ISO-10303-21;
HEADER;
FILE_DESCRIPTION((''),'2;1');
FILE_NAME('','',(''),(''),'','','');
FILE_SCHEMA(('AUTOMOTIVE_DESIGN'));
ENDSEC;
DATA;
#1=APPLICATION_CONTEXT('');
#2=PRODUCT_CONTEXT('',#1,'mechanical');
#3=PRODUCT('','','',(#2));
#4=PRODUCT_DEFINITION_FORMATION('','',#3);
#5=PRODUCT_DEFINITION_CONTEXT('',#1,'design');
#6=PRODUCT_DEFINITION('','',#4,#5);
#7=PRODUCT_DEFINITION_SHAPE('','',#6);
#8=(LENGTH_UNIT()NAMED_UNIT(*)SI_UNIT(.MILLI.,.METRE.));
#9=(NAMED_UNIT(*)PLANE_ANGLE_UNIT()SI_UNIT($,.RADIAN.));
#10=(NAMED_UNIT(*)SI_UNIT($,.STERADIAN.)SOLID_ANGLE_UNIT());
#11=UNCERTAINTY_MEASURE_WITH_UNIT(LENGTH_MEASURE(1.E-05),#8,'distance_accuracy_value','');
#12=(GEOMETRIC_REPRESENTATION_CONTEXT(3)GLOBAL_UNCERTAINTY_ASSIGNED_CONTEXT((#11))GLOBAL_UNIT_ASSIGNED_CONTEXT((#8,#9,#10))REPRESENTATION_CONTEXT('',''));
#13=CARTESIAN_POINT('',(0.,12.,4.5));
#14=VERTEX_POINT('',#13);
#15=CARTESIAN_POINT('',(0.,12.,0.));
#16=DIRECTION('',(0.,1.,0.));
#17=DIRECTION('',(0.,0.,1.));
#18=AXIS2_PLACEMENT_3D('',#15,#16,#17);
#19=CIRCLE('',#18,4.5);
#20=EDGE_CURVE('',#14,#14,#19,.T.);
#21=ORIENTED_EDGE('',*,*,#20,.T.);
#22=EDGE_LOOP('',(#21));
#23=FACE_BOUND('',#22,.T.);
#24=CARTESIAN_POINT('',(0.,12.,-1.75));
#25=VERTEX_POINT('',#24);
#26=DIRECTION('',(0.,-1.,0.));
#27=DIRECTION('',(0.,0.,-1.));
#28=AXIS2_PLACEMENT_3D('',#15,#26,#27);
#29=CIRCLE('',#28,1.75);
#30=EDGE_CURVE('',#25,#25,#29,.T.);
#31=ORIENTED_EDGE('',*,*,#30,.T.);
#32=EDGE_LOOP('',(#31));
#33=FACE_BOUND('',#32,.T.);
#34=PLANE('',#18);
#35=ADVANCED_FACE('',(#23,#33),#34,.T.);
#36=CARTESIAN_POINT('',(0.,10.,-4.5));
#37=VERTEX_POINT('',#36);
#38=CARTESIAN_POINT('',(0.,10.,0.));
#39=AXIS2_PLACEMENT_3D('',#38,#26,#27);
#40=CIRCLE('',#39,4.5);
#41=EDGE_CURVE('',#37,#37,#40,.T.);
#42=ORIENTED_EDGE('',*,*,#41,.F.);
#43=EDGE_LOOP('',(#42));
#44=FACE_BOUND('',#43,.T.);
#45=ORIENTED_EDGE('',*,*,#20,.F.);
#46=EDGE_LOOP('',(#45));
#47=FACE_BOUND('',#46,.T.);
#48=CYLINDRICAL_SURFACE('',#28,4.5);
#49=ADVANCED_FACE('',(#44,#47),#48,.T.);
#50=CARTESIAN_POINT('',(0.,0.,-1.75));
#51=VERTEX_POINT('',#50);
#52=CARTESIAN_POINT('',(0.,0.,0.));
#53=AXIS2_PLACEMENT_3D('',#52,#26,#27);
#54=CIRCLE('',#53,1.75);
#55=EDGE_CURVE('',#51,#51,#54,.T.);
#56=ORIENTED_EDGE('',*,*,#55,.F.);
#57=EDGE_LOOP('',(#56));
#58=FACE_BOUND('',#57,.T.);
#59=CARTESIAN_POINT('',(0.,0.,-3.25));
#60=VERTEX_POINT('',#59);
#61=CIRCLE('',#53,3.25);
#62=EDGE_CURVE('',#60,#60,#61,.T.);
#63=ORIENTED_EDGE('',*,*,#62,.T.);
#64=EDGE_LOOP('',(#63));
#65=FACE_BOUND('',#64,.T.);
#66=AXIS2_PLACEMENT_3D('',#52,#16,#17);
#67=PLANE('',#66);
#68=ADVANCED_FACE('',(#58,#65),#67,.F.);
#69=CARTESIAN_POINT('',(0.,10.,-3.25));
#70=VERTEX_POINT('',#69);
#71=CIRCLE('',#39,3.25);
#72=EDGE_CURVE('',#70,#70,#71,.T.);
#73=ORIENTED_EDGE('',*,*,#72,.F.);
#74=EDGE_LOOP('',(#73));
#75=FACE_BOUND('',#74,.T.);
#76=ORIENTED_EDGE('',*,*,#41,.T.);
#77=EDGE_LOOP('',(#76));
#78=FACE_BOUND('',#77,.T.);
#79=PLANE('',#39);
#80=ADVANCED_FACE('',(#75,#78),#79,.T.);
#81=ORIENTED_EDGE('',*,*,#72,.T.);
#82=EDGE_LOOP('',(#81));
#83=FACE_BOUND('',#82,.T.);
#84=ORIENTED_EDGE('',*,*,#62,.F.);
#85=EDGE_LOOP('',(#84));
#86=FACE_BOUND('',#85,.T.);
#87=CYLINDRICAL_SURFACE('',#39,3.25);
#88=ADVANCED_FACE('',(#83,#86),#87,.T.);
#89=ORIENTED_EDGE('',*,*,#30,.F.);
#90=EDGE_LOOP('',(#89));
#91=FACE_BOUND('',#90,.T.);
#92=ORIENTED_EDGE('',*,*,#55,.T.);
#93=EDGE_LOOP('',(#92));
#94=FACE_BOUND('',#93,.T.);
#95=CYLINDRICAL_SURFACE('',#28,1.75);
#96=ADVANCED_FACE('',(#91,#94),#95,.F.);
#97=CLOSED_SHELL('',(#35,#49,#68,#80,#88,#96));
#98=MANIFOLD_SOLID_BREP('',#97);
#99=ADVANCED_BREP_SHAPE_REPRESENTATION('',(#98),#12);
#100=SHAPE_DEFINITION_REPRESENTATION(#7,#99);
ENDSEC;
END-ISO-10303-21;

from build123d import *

# Parameters (mm, degrees)
SKETCH1_R           = 4.5
BOSS_EXTRUDE1_DEPTH = 12
SKETCH3_R           = 4.5
SKETCH3_R_2         = 3.25
CUT_EXTRUDE1_DEPTH  = 10
SKETCH4_R           = 1.75
CUT_EXTRUDE2_DEPTH  = 12


with BuildPart() as part:
    # Sketch1 → Boss-Extrude1 (new body)
    with BuildSketch(Plane(origin=(0, 0, 0), x_dir=(1, 0, 0), z_dir=(0, 1, 0))):
        with Locations(Location((0, 0, 0), (0, 0, 270))):
            Circle(SKETCH1_R)
    extrude(amount=BOSS_EXTRUDE1_DEPTH)

    # Sketch3 → Cut-Extrude1 (cut)
    with BuildSketch(Plane(origin=(0, 0, 0), x_dir=(-1, 0, 0), z_dir=(0, -1, 0))):
        with Locations(Location((0, 0, 0), (0, 0, 90))):
            Circle(SKETCH3_R)
        with Locations(Location((0, 0, 0), (0, 0, 90))):
            Circle(SKETCH3_R_2, mode=Mode.SUBTRACT)
    extrude(amount=-CUT_EXTRUDE1_DEPTH, mode=Mode.SUBTRACT)

    # Sketch4 → Cut-Extrude2 (cut)
    with BuildSketch(Plane(origin=(0, 0, 0), x_dir=(-1, 0, 0), z_dir=(0, -1, 0))):
        with Locations(Location((0, 0, 0), (0, 0, 90))):
            Circle(SKETCH4_R)
    extrude(amount=-CUT_EXTRUDE2_DEPTH, mode=Mode.SUBTRACT)


solid = part.part
